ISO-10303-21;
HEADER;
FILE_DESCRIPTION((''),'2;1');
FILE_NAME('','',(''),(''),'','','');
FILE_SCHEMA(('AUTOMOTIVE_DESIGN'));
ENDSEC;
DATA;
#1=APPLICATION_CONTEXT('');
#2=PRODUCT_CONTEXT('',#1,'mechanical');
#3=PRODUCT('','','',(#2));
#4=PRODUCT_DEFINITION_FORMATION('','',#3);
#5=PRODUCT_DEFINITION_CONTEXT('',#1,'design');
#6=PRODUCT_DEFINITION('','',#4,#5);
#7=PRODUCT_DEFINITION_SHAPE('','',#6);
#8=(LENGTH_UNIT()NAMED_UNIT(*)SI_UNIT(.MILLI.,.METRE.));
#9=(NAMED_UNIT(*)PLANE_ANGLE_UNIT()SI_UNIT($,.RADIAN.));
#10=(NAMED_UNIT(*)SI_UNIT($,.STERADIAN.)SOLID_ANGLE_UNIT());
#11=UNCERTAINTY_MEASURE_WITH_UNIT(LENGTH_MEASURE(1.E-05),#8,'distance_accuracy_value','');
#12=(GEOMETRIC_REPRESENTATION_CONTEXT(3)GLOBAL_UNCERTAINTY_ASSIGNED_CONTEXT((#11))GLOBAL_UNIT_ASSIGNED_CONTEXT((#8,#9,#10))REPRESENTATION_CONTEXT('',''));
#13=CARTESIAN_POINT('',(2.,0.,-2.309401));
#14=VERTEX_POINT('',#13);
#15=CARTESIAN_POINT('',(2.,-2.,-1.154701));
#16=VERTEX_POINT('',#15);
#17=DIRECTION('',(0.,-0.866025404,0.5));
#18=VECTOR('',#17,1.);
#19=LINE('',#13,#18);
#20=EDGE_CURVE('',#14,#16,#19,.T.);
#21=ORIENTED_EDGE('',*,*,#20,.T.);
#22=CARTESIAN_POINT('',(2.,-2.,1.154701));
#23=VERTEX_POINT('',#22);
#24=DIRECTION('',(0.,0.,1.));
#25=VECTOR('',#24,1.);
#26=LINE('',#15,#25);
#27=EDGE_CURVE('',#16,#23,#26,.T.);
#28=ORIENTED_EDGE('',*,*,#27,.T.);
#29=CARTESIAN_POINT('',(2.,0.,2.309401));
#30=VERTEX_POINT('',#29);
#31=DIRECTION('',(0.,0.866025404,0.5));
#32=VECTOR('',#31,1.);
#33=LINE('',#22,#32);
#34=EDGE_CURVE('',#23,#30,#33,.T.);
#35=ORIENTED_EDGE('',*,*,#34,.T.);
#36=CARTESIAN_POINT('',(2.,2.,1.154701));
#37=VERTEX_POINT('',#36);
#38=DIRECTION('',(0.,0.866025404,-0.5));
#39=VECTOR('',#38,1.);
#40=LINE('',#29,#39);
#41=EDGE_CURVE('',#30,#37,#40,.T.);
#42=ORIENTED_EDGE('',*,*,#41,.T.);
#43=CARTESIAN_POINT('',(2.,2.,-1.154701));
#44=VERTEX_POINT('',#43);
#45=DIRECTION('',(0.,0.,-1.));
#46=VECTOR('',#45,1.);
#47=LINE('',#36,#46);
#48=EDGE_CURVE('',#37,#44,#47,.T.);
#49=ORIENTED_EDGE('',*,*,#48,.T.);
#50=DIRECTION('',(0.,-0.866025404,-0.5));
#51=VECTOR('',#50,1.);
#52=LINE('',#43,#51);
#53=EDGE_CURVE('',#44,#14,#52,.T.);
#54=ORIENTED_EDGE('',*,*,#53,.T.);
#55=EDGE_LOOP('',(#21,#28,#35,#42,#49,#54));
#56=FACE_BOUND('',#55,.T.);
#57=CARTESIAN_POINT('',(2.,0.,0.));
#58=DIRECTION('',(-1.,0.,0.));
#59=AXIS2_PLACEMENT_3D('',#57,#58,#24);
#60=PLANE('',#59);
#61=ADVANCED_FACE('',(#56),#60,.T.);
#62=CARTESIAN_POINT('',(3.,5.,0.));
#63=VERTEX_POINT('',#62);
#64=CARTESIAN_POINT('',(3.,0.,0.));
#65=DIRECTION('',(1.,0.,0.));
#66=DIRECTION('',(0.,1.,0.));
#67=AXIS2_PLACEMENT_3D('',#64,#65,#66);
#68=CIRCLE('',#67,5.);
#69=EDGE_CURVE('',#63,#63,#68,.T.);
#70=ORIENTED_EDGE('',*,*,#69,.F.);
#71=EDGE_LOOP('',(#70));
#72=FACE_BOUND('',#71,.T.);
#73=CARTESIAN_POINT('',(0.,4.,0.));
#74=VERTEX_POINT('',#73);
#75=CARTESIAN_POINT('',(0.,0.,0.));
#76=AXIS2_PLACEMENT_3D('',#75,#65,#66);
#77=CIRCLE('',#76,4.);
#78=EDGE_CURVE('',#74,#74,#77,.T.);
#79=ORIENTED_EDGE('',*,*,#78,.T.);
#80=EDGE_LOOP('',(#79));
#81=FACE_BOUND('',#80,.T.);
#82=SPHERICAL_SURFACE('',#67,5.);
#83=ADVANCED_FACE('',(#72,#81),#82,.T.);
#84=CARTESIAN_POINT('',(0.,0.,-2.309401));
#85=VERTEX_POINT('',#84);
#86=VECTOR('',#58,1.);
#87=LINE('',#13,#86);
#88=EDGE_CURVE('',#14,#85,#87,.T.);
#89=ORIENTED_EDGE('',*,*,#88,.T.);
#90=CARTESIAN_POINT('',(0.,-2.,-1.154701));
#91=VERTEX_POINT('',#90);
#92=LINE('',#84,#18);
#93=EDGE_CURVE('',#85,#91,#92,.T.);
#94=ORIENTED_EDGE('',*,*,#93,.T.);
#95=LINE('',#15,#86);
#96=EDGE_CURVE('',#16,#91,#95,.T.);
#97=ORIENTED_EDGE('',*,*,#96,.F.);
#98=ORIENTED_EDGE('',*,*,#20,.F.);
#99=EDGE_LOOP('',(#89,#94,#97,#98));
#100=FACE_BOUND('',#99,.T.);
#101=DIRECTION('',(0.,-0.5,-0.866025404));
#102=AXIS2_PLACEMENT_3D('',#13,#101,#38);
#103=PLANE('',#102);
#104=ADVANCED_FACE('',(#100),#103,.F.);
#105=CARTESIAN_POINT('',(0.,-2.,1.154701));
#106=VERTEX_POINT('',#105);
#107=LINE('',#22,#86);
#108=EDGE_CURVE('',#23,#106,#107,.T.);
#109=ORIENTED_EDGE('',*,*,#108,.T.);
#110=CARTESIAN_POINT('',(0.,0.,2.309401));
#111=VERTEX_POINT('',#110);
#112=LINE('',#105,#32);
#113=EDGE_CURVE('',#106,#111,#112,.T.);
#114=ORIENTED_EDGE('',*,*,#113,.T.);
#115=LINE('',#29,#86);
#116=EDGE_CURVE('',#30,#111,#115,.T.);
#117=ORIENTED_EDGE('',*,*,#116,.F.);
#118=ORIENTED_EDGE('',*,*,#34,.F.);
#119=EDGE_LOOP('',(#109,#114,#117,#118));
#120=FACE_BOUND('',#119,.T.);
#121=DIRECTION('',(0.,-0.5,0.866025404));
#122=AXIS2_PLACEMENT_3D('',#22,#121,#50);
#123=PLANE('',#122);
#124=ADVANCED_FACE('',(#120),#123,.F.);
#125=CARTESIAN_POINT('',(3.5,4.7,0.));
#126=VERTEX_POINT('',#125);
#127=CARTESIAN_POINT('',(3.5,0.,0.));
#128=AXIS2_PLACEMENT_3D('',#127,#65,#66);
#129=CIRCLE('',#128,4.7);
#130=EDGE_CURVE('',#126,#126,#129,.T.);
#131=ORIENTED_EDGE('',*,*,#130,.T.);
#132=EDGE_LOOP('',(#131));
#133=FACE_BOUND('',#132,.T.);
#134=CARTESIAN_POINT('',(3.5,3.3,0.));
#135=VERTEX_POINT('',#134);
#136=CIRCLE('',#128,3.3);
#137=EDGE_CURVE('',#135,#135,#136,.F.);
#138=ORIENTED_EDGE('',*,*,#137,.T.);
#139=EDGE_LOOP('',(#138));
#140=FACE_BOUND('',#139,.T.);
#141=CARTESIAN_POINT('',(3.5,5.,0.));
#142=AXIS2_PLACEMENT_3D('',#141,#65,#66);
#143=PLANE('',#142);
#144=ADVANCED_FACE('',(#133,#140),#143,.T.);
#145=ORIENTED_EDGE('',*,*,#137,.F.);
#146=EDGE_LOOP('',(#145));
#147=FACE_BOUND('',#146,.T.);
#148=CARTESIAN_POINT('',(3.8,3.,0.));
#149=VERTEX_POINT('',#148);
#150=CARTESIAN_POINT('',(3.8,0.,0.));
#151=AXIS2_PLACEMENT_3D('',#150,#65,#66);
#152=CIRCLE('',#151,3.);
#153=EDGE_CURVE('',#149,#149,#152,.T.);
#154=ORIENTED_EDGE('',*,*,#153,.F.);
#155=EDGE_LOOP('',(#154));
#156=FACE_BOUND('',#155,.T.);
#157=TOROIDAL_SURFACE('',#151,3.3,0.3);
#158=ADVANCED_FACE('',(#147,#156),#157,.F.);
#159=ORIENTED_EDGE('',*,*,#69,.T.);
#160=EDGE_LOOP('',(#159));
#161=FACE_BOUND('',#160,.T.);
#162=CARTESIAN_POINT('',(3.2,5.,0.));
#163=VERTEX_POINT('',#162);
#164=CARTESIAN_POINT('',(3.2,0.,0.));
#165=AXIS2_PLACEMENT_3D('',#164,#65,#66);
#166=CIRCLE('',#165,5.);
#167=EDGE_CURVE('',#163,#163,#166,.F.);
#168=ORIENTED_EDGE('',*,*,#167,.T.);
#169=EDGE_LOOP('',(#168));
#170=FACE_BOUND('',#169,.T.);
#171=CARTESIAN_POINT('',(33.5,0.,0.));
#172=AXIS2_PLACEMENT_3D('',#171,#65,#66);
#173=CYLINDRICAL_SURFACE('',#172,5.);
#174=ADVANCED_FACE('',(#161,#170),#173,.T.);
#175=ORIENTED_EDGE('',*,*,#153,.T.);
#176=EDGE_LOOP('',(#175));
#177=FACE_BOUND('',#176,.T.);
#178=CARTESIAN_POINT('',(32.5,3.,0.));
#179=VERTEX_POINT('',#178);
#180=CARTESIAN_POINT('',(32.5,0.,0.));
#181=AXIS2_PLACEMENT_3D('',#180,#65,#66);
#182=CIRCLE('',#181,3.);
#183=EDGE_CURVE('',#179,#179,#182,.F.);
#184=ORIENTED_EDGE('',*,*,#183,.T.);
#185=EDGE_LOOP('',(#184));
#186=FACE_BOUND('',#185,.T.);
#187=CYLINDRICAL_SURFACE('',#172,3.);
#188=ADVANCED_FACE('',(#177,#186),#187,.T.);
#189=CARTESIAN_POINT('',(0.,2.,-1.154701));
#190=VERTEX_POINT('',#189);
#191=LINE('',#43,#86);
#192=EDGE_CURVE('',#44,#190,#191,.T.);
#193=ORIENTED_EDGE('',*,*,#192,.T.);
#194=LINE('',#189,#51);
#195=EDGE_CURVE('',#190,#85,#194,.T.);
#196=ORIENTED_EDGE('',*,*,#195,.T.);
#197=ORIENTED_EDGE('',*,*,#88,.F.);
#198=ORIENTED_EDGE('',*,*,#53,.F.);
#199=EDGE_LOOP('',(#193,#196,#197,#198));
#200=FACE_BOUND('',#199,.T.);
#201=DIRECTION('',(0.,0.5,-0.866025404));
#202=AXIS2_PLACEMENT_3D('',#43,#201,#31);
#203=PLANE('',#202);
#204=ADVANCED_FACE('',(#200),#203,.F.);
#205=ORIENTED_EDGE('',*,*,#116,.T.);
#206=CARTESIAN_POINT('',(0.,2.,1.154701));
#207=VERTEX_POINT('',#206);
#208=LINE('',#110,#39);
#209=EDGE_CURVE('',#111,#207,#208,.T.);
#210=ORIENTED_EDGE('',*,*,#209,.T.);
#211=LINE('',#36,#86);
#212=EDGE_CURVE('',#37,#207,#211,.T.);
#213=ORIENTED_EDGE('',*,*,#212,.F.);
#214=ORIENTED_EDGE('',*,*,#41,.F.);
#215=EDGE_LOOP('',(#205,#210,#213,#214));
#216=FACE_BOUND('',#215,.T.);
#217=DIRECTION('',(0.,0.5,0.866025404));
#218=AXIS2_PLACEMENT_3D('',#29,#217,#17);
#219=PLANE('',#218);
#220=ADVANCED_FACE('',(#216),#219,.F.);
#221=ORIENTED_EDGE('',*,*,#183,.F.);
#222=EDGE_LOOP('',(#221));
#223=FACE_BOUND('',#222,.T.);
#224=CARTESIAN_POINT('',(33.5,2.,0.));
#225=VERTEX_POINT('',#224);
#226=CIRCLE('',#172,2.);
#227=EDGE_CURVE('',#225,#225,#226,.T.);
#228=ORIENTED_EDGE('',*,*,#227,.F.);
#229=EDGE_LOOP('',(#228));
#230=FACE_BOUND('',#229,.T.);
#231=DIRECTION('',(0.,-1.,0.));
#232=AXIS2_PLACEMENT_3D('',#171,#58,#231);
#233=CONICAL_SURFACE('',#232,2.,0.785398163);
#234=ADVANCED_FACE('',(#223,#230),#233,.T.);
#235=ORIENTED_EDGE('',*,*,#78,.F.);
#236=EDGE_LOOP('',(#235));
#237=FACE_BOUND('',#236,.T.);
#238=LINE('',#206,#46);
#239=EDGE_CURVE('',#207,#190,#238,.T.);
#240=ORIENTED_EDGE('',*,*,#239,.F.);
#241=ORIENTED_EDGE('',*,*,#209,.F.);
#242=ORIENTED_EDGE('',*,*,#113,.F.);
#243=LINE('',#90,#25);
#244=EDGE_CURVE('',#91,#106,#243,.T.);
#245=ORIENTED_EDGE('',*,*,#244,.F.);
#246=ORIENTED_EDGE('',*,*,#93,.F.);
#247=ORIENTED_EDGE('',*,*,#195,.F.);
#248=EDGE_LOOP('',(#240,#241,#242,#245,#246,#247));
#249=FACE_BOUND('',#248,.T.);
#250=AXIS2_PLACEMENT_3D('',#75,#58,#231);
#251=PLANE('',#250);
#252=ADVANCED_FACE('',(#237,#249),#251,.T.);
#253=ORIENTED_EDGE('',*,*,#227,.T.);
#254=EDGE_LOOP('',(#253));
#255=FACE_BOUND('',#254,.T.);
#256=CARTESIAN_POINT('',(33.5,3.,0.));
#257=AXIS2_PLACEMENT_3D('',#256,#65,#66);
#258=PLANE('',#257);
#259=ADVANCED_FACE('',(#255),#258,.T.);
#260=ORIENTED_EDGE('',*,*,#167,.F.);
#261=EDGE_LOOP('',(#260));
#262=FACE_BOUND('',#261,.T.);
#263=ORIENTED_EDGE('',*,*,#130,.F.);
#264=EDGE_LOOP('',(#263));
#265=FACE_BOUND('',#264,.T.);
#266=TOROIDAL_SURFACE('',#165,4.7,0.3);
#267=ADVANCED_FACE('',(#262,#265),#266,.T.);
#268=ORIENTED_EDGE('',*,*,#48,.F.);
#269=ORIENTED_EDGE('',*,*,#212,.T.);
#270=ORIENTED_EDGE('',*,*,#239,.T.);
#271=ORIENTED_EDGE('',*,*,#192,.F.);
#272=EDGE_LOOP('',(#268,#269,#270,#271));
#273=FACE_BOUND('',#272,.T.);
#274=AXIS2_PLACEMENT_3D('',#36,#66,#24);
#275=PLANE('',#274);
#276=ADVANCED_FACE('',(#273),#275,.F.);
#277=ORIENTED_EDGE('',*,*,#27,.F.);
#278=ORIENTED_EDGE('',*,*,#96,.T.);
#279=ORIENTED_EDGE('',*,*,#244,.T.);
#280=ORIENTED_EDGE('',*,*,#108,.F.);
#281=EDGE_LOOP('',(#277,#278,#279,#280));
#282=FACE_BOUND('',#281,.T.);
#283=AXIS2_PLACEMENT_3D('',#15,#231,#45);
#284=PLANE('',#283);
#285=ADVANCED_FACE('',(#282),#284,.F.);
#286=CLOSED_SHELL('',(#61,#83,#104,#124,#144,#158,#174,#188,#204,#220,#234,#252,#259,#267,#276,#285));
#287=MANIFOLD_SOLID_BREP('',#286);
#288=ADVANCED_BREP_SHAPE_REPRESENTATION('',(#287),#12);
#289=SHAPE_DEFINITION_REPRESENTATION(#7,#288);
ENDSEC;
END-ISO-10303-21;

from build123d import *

# Parameters (mm, degrees)
CUT_EXTRUDE_1_DEPTH = 2
FILLET_1_R          = 0.3
CHAMFER_1_SIZE      = 1


with BuildPart() as part:
    # Эскиз1 → Повернуть1 (revolve)
    with BuildSketch(Plane.XY):
        with BuildLine():
            Line((0, 0), (0, 4))
            ThreePointArc((0, 4), (1.41886117, 4.74341649), (3, 5))
            Line((3, 5), (3.5, 5))
            Line((3.5, 5), (3.5, 3))
            Line((3.5, 3), (33.5, 3))
            Line((33.5, 3), (33.5, 0))
            Line((33.5, 0), (0, 0))
        make_face()
    revolve(axis=Axis((33.5, 0, 0), (-1, 0, 0)))

    # Эскиз2 → Вырез-Вытянуть1 (cut)
    with BuildSketch(Plane.ZY):
        Polygon((1.154700538, 2), (-1.154700538, 2), (-2.309401077, 0), (-1.154700538, -2), (1.154700538, -2), (2.309401077, 0), align=None)
    extrude(amount=-CUT_EXTRUDE_1_DEPTH, mode=Mode.SUBTRACT)

    # Скругление1
    fillet_1_edges = [part.edges().sort_by_distance(p)[0] for p in [
        (3.5, -3, 0),
        (3.5, -5, 0),
    ]]
    fillet(fillet_1_edges, radius=FILLET_1_R)

    # Фаска1
    chamfer_1_edges = [part.edges().sort_by_distance(p)[0] for p in [
        (33.5, -3, 0),
    ]]
    chamfer(chamfer_1_edges, length=CHAMFER_1_SIZE)


solid = part.part
